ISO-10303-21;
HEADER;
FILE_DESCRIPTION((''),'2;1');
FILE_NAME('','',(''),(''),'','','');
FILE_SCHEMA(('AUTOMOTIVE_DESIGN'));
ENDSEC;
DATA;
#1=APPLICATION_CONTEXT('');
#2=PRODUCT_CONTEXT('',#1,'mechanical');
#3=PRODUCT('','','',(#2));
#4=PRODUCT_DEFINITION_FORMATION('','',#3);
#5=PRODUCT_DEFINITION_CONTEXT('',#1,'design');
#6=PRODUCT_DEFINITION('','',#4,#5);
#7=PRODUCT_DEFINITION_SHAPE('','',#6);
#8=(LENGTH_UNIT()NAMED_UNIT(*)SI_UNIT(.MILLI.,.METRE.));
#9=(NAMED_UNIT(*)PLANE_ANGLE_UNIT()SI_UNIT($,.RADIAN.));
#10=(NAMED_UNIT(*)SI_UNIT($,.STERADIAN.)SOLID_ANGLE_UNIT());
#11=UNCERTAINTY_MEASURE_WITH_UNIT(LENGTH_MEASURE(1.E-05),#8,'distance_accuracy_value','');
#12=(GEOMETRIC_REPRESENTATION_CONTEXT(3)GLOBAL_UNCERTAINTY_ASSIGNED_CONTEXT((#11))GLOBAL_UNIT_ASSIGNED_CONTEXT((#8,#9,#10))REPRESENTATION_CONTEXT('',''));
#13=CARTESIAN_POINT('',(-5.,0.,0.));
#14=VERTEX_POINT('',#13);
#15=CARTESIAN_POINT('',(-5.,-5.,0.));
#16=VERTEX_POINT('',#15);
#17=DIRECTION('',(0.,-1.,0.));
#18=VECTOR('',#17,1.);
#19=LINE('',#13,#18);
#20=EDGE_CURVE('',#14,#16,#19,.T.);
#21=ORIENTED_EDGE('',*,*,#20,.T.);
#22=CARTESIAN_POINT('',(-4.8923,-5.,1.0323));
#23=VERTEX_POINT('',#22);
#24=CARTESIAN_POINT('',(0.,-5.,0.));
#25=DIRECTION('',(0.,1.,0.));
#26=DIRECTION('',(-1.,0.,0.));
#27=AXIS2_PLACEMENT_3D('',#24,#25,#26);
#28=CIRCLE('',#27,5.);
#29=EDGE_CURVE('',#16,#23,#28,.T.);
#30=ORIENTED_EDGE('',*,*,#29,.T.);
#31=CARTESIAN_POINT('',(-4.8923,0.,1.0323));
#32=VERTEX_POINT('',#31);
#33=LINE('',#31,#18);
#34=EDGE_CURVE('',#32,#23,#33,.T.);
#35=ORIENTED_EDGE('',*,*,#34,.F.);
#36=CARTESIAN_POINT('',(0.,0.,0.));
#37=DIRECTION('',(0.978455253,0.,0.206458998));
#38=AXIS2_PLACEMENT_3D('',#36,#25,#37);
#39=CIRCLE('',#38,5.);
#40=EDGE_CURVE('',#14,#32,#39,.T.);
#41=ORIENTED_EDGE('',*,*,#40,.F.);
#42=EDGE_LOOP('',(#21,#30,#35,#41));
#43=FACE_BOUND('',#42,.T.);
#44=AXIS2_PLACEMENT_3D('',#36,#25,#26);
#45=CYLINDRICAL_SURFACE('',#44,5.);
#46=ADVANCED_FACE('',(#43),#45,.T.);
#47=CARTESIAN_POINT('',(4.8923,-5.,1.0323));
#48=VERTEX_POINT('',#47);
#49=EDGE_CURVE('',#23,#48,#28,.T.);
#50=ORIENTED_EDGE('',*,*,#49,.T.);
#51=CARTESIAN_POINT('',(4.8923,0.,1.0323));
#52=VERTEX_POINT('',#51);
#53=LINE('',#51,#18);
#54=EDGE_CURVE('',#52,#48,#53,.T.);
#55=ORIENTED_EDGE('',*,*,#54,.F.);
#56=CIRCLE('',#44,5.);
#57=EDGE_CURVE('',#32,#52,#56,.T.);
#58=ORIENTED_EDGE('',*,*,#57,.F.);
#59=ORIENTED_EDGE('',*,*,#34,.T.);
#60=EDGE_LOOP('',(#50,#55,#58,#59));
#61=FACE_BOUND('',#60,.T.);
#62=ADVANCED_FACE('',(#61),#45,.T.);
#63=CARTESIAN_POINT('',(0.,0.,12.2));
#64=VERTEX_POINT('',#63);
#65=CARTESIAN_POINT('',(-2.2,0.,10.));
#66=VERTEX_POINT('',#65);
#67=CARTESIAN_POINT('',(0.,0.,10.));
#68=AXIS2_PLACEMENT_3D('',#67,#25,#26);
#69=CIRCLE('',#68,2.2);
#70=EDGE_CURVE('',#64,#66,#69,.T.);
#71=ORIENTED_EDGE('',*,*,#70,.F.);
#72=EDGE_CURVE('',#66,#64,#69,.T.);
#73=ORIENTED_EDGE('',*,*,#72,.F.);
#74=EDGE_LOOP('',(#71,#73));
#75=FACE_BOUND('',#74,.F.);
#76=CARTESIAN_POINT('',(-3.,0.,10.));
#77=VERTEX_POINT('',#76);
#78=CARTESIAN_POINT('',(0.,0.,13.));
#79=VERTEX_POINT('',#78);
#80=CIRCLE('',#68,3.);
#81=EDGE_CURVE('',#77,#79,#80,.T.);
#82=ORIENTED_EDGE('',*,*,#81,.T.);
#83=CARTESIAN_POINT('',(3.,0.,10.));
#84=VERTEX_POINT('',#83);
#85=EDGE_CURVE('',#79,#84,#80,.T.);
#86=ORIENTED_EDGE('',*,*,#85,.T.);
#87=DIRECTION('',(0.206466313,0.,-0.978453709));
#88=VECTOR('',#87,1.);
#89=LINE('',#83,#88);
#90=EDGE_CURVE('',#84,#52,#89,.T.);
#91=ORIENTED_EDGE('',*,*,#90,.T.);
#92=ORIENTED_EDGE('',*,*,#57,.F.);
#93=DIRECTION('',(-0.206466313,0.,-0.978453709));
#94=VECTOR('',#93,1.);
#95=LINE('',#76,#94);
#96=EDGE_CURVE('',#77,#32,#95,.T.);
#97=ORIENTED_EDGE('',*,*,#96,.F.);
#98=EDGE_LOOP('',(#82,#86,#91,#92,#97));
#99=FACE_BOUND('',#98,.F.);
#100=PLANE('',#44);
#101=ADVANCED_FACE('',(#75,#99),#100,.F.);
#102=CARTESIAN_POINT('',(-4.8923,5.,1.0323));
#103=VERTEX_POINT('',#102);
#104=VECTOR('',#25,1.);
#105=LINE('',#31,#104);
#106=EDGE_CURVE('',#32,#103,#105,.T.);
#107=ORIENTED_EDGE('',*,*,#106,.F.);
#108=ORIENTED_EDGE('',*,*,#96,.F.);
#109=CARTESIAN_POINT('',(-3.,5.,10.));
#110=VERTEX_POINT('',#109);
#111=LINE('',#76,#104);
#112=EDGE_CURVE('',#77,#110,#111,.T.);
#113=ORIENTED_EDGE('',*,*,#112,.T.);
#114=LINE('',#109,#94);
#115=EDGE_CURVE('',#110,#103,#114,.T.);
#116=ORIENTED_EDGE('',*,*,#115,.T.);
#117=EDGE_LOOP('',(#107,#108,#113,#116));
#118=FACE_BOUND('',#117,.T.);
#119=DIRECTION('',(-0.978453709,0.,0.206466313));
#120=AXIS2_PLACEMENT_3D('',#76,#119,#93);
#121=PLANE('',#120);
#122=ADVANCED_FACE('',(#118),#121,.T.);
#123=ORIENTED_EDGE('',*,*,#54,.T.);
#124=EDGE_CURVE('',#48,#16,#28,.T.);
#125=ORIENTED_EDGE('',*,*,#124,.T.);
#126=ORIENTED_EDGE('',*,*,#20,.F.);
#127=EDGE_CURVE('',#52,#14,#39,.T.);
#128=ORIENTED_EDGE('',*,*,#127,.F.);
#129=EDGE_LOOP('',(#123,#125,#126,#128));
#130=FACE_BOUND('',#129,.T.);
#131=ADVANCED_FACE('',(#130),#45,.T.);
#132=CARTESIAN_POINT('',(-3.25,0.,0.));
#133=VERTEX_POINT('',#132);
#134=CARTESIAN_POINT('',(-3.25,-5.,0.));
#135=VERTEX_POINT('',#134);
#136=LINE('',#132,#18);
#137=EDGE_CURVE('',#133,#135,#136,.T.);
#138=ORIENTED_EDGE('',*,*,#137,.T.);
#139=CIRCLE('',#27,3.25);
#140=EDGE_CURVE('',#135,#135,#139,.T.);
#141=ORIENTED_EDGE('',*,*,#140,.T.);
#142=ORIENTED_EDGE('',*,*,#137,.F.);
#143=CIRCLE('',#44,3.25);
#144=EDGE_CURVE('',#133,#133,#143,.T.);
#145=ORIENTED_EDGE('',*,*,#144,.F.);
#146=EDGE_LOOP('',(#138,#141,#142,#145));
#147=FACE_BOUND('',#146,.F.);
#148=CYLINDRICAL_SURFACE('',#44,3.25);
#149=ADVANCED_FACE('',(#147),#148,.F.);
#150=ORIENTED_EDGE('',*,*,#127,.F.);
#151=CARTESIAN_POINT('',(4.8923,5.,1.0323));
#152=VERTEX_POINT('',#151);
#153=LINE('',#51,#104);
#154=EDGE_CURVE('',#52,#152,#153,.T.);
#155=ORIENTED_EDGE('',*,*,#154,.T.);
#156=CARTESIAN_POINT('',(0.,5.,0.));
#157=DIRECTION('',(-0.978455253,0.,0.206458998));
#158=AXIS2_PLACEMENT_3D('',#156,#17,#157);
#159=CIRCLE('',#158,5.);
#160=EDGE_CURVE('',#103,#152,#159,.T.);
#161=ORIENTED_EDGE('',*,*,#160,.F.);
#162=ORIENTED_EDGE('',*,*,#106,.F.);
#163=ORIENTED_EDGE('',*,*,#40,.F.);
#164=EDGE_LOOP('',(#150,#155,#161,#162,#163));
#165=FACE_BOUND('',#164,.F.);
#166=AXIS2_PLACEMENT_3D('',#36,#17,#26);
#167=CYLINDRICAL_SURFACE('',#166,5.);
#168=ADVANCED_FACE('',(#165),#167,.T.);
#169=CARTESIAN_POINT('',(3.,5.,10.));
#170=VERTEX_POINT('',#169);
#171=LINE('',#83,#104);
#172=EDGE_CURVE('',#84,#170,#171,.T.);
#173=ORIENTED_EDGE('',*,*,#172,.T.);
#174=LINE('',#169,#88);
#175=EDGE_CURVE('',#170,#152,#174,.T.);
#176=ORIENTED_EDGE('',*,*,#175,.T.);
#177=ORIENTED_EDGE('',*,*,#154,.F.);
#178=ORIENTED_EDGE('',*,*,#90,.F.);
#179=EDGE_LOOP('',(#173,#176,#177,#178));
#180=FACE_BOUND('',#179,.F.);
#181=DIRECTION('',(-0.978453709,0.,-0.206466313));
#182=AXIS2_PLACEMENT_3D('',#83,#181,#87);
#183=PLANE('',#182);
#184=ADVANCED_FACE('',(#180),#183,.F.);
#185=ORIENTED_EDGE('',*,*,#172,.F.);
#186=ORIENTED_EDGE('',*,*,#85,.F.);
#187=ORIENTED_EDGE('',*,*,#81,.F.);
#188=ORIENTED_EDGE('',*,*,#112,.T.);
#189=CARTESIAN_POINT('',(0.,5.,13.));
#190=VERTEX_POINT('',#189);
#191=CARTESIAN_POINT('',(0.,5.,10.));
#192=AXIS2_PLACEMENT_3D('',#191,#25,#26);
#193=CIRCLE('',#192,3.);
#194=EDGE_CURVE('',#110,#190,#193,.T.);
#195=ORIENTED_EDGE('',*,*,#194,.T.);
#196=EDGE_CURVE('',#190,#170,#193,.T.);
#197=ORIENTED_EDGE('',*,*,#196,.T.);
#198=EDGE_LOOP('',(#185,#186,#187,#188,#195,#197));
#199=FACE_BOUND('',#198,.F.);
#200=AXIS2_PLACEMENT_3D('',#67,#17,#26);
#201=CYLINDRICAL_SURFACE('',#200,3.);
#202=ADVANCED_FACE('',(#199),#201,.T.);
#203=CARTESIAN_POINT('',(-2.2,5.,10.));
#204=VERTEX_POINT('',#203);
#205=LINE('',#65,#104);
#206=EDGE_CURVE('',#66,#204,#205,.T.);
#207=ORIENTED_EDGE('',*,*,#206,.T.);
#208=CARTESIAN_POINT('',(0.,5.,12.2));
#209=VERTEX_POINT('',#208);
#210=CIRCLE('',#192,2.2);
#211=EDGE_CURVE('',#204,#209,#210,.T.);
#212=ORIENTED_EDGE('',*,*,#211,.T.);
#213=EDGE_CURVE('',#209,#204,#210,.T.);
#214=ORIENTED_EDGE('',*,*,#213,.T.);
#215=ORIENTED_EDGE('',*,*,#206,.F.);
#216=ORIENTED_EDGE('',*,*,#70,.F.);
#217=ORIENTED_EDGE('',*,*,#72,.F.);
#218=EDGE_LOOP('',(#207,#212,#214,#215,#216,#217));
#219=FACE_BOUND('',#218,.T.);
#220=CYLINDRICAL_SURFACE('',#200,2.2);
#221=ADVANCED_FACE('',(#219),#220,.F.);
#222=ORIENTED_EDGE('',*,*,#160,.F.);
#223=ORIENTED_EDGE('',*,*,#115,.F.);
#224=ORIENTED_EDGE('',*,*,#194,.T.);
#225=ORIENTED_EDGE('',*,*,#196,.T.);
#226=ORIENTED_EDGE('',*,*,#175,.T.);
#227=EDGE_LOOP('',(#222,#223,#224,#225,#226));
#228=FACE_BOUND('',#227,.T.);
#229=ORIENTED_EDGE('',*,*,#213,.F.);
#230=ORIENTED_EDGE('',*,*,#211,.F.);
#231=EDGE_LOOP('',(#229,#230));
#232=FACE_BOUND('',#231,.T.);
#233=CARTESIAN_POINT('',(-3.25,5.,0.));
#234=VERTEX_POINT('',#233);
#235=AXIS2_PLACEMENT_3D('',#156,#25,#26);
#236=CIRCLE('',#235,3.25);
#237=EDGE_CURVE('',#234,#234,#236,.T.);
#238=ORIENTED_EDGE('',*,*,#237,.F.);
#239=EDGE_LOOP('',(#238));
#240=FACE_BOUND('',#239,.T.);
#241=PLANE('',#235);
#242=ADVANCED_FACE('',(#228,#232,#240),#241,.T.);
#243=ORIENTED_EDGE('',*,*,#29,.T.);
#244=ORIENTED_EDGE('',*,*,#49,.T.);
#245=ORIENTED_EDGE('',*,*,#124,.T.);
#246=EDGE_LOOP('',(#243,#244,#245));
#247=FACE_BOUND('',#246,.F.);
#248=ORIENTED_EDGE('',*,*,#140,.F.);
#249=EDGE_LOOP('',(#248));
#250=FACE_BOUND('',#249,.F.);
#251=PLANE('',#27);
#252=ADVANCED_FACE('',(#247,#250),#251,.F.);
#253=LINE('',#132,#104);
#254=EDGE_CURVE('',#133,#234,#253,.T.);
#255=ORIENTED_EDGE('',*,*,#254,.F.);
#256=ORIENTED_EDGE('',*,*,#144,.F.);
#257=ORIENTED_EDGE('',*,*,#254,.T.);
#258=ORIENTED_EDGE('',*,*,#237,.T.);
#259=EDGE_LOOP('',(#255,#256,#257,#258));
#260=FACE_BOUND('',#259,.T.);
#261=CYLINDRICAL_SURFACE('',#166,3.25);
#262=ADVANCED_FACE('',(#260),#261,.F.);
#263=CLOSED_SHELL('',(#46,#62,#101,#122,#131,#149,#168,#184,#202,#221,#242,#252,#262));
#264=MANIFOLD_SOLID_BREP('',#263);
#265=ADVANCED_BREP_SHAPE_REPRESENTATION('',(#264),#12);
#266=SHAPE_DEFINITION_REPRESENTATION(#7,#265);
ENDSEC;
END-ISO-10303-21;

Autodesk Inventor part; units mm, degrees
ref_plane "YZ Plane" through (0, 0, 0) normal (1, 0, 0) x (0, 1, 0)
ref_plane "XZ Plane" through (0, 0, 0) normal (0, 1, 0) x (-1, 0, 0)
ref_plane "XY Plane" through (0, 0, 0) normal (0, 0, 1) x (1, 0, 0)
sketch "Boceto1" plane through (0, 0, 0) normal (0, 1, 0) x (-1, 0, 0)
  circle A0 centre (0, 0) radius 3.25
  circle A1 centre (0, 0) radius 5
  line L0 (0, 13) -> (0, 10)
  circle A2 centre (0, 10) radius 3
  circle A3 centre (0, 10) radius 2.2
  line L1 (3, 10) -> (4.8923, 1.0323)
  line L2 (-3, 10) -> (-4.8923, 1.0323)
  dimension "d0" = 6.5
  dimension "d1" = 10
  dimension "d3" = 3
  dimension "d4" = 4.4
  dimension "d7" = 10
  dimension "d15" = 8.9677
  dimension "d16" = 8.9677
  dimension "d17" = 3
extrude "Extrusión3" add sketch "Boceto1" along normal blind 5
extrude "Extrusión4" add sketch "Boceto1" against normal blind 5 contours A1
properties part number "Palanca_potenciometro"
